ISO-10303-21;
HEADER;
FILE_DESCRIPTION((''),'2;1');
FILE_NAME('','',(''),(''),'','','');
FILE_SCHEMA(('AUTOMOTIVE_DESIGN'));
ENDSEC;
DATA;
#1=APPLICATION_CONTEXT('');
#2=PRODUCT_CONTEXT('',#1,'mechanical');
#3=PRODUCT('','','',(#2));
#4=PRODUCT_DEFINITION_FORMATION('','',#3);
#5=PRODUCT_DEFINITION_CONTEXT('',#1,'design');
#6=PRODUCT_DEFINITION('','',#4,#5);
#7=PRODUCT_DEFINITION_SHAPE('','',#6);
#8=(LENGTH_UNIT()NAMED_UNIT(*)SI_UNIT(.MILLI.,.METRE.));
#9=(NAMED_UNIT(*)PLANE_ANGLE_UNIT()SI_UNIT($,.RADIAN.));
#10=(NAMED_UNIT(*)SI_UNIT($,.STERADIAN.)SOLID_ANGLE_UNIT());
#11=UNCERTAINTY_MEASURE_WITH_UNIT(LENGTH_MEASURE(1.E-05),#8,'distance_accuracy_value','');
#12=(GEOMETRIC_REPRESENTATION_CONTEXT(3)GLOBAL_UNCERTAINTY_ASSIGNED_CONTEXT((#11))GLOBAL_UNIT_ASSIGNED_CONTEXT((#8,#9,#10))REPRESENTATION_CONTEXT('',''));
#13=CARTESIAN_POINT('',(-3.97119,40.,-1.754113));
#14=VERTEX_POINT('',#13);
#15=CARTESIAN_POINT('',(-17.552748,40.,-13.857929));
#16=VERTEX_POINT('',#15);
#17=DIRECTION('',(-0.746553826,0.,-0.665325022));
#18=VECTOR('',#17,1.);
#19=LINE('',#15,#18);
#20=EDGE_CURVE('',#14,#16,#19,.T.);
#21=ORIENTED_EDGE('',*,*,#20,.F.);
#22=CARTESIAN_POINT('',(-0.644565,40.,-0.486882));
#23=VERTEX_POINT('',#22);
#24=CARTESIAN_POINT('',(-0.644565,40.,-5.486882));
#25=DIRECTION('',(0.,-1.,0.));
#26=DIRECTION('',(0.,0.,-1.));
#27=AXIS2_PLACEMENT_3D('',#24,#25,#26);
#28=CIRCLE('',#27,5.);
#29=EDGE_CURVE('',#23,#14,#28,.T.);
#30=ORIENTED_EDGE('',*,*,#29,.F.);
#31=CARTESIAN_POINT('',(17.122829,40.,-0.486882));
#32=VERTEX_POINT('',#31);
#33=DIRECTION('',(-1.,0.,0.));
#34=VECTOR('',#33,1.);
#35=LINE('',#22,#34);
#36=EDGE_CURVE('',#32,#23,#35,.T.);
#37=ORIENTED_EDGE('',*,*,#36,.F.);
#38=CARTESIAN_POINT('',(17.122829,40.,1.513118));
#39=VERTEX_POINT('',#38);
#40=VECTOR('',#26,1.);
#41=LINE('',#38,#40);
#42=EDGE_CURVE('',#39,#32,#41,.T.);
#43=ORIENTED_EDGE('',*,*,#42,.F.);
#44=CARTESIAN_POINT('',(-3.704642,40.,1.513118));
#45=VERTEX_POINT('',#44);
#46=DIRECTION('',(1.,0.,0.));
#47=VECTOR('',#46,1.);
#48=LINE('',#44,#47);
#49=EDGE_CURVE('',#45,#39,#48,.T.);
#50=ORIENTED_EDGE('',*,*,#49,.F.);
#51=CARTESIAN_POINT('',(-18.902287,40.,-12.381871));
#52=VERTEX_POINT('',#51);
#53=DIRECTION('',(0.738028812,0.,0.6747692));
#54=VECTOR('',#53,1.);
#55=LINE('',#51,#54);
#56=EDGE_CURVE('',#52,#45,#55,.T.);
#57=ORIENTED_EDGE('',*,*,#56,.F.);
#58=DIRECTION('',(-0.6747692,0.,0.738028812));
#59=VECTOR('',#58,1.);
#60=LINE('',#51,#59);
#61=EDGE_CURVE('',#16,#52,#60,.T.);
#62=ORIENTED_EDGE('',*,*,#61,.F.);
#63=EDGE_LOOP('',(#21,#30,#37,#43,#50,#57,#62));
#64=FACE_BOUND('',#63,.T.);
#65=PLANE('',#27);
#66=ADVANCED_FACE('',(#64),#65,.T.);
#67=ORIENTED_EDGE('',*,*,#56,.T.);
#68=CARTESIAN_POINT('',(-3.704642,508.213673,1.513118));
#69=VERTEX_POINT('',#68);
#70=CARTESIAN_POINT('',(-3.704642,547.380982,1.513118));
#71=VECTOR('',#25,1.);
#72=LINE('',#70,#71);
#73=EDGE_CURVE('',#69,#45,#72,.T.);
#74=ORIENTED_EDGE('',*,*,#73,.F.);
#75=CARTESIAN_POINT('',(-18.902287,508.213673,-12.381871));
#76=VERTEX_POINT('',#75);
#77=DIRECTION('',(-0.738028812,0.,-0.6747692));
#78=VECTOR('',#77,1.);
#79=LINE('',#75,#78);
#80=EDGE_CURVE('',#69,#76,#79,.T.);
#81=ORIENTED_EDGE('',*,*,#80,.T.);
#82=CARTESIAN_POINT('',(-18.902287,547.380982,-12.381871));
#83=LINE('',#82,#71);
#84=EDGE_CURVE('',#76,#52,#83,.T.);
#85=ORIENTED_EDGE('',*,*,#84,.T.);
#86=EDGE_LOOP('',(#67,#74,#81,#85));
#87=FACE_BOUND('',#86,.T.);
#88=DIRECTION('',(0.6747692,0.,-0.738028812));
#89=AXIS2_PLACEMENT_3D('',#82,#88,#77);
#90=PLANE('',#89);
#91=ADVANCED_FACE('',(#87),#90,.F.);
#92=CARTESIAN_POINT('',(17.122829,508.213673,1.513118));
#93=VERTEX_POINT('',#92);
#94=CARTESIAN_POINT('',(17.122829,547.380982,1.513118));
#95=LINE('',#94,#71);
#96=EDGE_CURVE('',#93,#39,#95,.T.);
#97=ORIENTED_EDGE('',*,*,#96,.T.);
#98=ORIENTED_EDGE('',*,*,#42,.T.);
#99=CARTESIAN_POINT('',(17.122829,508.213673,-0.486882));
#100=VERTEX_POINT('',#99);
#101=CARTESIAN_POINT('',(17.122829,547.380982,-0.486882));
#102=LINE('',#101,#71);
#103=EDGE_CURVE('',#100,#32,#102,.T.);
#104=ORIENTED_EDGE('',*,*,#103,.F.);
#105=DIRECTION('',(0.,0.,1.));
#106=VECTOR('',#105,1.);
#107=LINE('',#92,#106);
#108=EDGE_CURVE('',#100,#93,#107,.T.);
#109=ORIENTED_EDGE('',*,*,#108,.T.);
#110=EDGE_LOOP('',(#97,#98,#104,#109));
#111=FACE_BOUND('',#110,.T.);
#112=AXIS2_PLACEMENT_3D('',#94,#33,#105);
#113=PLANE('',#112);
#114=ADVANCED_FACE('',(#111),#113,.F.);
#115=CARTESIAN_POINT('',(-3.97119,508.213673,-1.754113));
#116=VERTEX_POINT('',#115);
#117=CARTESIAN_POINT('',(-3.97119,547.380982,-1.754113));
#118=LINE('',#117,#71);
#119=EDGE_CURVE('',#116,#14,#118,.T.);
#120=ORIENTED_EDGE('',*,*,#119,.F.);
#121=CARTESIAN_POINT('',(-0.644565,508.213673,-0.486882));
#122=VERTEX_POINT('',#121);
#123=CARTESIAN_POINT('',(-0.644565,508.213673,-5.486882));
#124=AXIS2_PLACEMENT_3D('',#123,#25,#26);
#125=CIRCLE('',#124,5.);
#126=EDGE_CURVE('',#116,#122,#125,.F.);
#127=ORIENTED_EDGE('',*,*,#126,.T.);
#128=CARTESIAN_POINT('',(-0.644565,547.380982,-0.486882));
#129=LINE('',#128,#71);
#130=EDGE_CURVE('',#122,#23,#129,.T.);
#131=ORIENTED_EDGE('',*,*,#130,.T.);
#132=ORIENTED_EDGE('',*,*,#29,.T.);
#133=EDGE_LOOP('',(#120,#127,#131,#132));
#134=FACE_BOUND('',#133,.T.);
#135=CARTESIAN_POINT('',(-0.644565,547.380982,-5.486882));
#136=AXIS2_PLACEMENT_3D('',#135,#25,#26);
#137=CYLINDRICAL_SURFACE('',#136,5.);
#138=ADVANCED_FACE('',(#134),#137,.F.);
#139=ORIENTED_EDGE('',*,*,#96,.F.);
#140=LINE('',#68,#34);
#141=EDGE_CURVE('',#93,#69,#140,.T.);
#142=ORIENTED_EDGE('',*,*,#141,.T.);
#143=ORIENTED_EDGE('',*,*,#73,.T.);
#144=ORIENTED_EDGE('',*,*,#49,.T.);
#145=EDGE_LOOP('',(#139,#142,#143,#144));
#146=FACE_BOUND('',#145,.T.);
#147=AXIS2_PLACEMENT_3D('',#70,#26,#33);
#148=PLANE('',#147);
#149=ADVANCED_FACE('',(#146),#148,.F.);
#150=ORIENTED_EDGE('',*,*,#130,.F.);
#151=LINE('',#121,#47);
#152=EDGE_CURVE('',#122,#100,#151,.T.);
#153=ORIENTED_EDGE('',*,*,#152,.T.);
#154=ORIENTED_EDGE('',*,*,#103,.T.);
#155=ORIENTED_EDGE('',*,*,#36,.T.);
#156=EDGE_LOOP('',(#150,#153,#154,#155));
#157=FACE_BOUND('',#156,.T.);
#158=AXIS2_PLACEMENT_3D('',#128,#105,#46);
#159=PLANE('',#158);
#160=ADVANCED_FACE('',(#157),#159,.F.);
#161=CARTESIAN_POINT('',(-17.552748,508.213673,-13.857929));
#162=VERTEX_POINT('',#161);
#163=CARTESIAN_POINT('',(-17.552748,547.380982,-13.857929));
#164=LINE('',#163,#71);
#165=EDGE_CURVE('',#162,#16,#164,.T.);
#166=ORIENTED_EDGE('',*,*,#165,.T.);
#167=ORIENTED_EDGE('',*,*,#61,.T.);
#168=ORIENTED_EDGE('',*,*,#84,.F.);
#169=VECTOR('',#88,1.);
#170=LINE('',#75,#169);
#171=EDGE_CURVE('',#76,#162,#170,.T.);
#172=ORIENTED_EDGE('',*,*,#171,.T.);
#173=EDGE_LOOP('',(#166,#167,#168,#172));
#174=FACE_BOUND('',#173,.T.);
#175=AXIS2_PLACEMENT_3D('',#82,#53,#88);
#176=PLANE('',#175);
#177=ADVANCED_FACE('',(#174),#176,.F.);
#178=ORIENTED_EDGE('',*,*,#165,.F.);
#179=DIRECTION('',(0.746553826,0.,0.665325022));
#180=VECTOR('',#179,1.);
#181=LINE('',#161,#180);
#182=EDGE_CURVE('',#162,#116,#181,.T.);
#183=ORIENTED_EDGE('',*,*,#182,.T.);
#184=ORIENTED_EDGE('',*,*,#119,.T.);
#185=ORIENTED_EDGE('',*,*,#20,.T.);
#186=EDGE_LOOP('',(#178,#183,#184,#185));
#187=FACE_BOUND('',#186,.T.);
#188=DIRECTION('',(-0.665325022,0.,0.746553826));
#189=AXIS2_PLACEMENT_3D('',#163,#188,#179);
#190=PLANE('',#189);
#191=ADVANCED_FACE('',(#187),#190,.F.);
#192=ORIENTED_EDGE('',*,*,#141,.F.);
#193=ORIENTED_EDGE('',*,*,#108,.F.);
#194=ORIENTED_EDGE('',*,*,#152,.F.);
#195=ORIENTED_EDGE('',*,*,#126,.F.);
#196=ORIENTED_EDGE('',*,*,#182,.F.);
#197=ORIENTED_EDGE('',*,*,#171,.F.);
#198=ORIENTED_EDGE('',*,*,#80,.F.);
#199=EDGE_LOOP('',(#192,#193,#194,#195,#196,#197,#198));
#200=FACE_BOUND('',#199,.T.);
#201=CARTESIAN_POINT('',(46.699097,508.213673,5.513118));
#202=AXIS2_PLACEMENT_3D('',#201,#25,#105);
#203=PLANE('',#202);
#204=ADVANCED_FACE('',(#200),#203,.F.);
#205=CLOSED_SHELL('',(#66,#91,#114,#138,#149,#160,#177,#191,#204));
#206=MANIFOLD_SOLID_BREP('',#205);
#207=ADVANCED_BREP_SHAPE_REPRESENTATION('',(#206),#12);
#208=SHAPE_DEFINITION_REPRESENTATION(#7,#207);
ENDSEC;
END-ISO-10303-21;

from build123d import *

# Parameters (mm, degrees)
EXTRUDE_START   = 40
EXTRUDE_1_DEPTH = 468.213673317


with BuildPart() as part:
    # Эскиз1 → Вытянуть1 (new body)
    with BuildSketch(Plane(origin=(0, 0, 0), x_dir=(1, 0, 0), z_dir=(0, 1, 0)).offset(EXTRUDE_START)):
        with BuildLine():
            Line((-18.902286518, 12.381871272), (-17.552748119, 13.857928896))
            Line((-17.552748119, 13.857928896), (-3.97119008, 1.754112541))
            ThreePointArc((-3.97119008, 1.754112541), (-2.424474286, 0.81441735), (-0.644564969, 0.48688167))
            Line((-0.644564969, 0.48688167), (17.122829042, 0.48688167))
            Line((17.122829042, 0.48688167), (17.122829042, -1.51311833))
            Line((17.122829042, -1.51311833), (-3.70464164, -1.51311833))
            Line((-3.70464164, -1.51311833), (-18.902286518, 12.381871272))
        make_face()
    extrude(amount=EXTRUDE_1_DEPTH)


solid = part.part
